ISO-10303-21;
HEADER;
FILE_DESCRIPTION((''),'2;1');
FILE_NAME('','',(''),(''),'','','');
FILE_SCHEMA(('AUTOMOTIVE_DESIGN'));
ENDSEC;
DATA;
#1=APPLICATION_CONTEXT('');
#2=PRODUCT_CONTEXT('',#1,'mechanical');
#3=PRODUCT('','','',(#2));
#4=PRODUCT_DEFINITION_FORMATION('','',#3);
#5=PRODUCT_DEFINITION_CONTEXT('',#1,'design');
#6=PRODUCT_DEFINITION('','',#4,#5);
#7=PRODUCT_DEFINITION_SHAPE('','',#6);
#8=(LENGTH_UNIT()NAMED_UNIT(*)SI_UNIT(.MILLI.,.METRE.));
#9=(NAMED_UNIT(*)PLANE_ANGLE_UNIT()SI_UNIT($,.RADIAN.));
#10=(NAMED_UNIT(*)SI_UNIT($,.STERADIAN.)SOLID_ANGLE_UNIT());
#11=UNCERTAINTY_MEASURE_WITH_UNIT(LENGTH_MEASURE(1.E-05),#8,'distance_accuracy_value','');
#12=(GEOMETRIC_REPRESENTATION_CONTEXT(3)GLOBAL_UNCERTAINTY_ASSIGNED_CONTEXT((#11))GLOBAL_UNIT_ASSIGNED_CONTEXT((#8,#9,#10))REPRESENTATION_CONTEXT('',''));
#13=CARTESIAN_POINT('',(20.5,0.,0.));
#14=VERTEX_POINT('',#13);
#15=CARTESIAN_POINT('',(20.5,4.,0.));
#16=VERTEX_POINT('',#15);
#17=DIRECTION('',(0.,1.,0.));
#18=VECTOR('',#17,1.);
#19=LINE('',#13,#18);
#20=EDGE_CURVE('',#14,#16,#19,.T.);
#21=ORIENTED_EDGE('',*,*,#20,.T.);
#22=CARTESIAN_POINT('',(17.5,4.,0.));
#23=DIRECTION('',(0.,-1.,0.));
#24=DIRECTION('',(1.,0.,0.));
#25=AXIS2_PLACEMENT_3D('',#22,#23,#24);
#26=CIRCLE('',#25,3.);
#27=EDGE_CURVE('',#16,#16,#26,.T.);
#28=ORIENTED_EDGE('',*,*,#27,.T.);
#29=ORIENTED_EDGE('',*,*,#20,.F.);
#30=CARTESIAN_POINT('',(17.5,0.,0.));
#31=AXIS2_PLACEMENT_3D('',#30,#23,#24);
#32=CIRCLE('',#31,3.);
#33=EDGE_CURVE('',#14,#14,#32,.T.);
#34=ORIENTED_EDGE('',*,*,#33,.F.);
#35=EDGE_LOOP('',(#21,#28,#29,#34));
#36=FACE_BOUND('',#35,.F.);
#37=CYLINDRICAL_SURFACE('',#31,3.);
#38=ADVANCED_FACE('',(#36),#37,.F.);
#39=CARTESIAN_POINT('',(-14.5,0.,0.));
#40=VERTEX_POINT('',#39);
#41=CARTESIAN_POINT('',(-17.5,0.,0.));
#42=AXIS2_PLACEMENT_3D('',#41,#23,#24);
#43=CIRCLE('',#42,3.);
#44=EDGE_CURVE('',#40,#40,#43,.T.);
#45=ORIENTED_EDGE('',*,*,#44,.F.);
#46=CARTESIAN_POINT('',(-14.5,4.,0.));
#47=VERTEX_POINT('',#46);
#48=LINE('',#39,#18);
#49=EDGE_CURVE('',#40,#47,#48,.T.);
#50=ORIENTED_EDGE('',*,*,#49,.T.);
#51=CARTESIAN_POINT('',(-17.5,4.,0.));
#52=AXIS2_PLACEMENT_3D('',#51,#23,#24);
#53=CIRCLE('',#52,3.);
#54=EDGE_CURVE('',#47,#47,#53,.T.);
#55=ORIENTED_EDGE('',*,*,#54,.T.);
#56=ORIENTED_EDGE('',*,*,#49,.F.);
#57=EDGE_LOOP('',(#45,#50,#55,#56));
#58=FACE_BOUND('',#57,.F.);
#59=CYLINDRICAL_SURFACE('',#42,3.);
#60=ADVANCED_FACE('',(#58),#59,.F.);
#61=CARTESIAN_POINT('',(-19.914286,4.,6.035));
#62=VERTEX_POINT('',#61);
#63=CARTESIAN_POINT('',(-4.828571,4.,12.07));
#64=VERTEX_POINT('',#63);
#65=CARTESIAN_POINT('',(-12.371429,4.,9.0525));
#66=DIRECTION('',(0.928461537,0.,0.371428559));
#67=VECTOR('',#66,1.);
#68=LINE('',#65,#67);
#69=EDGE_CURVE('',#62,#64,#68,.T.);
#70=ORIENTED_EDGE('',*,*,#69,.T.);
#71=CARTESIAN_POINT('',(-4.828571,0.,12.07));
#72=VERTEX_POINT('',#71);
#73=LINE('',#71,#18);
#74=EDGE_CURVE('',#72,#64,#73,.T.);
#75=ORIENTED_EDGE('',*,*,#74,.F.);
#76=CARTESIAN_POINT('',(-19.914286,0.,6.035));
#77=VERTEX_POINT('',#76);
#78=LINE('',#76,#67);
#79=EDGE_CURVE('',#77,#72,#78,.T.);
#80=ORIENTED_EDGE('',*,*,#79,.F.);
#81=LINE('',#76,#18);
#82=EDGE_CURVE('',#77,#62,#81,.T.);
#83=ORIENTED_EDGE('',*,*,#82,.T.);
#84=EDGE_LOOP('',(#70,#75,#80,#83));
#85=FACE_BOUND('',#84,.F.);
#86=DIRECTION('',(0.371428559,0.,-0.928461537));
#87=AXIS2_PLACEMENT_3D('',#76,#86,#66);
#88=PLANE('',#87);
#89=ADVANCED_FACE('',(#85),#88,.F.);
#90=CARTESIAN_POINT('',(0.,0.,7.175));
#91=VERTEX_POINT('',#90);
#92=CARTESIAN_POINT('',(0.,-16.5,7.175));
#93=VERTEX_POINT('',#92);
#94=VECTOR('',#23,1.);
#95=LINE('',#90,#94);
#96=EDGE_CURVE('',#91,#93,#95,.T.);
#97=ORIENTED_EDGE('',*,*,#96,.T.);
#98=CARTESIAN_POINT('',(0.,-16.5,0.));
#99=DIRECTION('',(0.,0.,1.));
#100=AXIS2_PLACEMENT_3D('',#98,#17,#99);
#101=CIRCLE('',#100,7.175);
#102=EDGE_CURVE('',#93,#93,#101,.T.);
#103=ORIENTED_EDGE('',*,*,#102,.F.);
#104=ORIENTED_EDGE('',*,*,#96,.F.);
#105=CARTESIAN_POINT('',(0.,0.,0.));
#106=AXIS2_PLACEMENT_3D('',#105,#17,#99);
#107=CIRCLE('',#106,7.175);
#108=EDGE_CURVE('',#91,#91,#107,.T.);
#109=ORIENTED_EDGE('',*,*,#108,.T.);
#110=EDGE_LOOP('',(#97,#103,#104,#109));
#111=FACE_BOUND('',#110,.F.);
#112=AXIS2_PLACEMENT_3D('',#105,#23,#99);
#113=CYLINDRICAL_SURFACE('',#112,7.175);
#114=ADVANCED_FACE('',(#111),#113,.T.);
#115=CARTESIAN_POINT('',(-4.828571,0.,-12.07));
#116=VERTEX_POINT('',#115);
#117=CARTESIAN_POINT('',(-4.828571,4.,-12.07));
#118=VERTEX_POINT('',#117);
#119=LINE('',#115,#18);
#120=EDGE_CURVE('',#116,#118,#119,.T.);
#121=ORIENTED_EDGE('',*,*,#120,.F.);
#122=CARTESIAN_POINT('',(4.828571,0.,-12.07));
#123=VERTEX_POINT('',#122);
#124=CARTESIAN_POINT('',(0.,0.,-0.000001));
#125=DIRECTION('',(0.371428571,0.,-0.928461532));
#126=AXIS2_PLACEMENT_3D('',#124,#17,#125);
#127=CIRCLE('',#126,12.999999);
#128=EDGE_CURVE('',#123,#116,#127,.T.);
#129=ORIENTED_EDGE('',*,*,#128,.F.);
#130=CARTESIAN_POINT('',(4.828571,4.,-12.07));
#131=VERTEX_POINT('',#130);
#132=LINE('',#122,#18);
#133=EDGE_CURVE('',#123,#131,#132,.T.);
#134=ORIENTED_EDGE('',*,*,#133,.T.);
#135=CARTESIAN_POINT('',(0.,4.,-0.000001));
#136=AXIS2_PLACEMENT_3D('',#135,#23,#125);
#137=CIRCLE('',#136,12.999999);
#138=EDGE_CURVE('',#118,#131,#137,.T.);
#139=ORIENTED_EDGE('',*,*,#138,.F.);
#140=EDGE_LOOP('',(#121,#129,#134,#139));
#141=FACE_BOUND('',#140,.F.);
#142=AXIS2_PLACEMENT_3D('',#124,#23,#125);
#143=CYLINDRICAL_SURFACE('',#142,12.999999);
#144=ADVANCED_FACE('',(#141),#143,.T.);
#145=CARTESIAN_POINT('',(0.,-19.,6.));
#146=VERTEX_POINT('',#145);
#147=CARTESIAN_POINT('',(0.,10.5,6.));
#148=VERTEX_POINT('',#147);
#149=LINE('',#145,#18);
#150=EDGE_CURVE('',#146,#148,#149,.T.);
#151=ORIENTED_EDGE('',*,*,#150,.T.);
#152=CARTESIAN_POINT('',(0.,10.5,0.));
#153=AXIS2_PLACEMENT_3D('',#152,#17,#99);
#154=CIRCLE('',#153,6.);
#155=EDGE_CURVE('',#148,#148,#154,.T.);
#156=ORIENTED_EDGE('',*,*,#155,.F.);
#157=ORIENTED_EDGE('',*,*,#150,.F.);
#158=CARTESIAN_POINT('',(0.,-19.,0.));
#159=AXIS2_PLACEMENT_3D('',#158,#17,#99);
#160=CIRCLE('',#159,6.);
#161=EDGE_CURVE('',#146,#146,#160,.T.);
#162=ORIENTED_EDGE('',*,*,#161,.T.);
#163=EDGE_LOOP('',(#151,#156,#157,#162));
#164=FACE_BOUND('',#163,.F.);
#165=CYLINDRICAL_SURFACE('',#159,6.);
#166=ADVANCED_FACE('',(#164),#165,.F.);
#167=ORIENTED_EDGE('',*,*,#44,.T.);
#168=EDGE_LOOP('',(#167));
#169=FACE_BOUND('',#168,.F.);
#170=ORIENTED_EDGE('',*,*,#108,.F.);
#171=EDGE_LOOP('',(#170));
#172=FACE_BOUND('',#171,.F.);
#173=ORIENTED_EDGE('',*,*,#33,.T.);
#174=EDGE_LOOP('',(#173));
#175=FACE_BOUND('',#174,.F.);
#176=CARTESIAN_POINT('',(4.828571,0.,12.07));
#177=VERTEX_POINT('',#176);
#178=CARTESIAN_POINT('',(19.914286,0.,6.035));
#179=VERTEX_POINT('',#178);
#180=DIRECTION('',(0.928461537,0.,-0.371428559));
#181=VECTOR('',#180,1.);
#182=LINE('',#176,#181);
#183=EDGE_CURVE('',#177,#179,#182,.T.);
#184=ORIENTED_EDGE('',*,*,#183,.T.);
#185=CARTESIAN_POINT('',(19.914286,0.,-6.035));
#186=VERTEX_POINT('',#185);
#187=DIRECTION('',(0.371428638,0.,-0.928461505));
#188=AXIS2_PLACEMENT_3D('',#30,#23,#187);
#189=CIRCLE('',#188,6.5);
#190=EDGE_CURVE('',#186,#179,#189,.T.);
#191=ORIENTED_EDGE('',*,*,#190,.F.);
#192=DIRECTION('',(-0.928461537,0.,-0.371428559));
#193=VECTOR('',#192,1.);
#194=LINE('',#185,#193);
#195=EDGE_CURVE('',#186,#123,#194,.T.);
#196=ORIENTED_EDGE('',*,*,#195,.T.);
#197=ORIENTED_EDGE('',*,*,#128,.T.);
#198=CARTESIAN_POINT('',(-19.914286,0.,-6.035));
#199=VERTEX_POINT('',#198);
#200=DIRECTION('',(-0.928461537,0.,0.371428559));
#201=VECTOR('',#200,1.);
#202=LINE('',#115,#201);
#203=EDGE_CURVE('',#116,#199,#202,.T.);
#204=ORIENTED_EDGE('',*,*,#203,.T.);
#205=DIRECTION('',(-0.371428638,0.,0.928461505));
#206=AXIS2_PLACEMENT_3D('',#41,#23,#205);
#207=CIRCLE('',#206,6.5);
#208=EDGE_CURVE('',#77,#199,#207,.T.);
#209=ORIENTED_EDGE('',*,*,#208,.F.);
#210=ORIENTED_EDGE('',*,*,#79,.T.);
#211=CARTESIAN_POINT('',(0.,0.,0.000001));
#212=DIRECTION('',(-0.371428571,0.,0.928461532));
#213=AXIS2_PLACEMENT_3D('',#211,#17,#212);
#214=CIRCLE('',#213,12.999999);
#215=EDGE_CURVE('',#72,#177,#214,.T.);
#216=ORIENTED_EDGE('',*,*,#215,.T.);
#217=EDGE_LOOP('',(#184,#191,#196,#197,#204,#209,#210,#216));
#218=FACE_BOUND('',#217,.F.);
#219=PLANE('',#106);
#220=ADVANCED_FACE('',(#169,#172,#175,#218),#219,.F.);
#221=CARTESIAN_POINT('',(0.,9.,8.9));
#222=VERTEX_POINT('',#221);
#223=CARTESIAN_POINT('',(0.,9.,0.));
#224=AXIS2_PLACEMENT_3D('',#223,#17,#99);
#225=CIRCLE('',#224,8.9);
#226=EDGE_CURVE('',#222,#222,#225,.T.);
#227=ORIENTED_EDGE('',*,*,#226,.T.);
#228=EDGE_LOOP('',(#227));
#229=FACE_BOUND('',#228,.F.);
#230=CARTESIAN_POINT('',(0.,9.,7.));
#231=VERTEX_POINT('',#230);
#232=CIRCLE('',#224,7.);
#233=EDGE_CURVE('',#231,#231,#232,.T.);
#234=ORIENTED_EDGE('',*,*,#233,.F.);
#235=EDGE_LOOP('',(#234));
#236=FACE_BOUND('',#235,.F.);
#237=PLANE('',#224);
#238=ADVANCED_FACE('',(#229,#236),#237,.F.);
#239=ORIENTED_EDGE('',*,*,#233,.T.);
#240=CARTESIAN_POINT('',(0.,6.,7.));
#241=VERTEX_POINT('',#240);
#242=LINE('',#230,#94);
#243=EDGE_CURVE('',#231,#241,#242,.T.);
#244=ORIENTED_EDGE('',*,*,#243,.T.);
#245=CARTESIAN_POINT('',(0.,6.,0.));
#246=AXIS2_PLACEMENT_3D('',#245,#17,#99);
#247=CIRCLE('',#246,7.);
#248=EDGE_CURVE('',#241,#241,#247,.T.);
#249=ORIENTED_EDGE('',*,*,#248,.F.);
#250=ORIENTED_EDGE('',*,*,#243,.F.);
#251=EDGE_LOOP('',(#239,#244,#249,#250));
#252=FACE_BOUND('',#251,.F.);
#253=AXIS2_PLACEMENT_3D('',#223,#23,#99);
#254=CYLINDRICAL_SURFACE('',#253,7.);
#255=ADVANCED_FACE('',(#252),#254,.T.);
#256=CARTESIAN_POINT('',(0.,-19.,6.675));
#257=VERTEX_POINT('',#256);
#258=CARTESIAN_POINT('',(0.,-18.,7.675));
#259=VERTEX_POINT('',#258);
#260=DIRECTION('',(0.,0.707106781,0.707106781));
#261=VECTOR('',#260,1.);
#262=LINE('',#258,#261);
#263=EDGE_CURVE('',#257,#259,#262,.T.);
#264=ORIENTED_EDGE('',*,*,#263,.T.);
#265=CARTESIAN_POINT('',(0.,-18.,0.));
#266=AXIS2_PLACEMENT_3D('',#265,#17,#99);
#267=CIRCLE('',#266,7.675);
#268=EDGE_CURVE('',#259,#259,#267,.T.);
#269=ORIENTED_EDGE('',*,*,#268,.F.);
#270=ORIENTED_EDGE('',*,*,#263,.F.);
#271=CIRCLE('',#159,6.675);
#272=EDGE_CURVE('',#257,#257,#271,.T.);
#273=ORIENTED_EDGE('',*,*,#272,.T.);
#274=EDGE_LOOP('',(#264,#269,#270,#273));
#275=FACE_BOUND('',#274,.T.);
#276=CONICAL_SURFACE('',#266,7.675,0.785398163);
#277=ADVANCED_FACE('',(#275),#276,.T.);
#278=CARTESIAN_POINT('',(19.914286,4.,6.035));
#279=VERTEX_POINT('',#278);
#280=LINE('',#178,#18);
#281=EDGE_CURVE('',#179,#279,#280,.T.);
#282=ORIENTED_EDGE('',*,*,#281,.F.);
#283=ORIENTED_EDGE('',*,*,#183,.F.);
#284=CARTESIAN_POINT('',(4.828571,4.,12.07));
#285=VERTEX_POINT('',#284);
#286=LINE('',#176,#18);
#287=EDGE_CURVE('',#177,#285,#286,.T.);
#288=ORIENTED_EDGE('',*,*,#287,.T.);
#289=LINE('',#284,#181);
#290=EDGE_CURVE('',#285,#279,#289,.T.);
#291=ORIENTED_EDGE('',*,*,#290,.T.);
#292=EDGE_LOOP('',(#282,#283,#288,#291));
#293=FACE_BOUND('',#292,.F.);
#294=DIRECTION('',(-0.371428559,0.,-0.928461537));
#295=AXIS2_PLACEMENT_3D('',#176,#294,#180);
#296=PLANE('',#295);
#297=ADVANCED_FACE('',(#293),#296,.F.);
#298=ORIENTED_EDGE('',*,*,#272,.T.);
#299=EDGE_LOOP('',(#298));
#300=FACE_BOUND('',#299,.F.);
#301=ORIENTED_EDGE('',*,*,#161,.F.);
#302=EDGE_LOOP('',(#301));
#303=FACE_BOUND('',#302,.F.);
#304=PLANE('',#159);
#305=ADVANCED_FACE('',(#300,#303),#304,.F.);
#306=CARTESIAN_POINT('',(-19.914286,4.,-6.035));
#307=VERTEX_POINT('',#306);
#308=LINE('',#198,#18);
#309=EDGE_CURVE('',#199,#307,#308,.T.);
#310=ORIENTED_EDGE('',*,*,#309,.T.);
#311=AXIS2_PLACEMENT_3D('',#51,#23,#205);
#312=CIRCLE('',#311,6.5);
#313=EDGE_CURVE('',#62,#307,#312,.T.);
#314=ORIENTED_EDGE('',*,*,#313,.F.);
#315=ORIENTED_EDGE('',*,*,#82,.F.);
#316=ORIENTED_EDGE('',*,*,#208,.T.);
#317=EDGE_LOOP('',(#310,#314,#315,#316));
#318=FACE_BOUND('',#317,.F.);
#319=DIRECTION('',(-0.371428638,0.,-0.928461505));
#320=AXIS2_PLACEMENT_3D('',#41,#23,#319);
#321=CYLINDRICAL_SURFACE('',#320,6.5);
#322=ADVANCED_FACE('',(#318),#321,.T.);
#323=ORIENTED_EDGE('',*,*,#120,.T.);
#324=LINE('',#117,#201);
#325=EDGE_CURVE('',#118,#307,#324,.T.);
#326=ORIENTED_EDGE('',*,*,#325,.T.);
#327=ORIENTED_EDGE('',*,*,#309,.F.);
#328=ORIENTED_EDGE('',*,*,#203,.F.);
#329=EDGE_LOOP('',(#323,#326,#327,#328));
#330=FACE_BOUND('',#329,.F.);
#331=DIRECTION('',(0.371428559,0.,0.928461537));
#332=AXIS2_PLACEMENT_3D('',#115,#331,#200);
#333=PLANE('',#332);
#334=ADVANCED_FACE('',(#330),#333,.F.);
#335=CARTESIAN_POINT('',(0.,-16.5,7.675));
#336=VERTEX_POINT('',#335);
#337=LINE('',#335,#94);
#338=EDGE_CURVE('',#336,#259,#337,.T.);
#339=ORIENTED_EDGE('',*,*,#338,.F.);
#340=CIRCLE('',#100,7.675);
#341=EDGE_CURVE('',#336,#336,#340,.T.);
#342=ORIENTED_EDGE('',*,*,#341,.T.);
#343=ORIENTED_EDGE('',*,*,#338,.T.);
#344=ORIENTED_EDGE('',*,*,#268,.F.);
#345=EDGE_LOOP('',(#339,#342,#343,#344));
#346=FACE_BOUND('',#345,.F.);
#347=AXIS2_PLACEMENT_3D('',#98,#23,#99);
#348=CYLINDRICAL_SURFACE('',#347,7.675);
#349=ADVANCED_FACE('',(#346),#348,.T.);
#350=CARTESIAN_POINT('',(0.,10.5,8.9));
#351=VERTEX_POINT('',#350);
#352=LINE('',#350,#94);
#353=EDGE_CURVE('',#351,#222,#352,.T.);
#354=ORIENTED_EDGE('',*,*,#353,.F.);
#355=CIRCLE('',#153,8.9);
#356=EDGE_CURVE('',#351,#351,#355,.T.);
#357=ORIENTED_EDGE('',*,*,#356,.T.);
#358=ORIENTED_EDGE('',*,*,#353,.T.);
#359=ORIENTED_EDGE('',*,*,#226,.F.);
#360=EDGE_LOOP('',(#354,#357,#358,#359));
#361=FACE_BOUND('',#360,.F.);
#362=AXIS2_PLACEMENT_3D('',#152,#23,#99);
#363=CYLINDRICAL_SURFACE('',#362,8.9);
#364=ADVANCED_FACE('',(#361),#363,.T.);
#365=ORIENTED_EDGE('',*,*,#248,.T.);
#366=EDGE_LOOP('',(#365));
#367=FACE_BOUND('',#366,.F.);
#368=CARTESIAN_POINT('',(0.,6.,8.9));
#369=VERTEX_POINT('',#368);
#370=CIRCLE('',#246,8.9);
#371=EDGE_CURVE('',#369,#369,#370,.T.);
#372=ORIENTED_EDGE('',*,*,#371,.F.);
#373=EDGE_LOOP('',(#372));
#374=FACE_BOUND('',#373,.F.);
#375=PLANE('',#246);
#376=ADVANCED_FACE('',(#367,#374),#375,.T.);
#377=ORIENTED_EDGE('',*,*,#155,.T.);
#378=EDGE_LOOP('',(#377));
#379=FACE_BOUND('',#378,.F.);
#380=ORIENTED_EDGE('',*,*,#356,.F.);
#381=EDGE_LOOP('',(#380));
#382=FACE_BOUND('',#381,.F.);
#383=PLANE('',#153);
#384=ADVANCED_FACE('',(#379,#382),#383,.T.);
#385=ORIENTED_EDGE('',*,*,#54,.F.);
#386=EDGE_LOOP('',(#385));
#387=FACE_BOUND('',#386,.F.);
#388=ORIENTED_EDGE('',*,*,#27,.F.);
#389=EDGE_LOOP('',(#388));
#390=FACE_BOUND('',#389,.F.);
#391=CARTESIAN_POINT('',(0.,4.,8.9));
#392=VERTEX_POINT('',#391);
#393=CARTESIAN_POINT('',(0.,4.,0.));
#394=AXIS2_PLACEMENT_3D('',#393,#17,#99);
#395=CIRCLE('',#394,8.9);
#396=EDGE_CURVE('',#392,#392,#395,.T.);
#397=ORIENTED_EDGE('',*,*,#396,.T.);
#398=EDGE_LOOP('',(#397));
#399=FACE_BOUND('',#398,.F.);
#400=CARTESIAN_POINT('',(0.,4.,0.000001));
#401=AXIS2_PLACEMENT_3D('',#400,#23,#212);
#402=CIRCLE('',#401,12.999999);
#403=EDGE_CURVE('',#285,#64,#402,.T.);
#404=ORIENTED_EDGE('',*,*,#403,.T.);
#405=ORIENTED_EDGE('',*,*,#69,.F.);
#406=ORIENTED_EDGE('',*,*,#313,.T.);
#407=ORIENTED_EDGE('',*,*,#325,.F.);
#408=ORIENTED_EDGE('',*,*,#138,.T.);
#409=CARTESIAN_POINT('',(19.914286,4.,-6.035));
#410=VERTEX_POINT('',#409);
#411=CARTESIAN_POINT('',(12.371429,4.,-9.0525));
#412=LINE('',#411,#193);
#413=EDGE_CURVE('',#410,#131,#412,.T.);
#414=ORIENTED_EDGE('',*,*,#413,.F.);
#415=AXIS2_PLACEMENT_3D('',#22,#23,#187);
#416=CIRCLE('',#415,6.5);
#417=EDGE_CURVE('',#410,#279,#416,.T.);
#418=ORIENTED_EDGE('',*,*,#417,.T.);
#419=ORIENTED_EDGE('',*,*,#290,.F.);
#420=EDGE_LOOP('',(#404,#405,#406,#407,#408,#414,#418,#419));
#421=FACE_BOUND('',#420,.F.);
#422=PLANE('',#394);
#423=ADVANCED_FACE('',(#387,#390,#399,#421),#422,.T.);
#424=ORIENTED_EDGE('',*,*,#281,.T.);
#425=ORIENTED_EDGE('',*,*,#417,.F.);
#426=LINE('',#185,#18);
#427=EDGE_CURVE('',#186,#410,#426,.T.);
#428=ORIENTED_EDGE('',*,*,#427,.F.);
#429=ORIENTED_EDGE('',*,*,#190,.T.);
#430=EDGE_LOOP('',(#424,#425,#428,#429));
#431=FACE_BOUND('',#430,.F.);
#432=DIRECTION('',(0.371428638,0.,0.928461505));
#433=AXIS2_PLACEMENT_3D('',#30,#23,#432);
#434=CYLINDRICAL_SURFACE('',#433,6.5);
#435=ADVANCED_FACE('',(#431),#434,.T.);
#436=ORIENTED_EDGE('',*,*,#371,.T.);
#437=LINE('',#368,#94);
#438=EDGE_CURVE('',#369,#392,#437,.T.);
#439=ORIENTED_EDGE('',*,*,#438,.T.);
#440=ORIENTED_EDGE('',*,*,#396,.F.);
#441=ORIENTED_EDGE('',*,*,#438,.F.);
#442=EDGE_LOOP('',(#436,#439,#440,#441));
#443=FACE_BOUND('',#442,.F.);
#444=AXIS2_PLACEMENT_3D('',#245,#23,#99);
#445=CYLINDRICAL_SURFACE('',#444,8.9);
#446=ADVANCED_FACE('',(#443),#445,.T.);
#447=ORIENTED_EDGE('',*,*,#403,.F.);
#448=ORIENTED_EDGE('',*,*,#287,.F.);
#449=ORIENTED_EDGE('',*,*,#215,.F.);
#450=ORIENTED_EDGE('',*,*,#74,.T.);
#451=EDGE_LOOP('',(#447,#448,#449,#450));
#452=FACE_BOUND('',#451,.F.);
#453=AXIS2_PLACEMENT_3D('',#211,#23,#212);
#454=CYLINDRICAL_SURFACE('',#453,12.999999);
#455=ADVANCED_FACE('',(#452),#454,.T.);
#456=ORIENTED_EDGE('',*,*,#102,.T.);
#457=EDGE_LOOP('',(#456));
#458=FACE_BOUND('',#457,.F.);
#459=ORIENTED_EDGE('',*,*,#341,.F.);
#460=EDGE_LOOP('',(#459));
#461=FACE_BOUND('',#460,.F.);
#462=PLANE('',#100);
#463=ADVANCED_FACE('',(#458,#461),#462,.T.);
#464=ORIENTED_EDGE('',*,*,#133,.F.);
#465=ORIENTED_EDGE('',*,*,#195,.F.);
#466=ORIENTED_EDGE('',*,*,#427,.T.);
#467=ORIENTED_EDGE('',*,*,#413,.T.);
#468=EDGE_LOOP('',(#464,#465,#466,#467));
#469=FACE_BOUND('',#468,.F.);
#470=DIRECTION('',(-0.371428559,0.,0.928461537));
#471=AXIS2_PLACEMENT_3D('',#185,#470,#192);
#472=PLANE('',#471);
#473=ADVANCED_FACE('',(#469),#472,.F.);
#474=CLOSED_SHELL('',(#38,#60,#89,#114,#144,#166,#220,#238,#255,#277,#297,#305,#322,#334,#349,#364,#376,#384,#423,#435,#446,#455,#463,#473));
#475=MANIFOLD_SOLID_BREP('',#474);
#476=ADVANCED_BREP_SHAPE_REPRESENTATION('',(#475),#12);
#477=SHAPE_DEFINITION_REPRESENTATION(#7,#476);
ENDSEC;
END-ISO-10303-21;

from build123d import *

# Parameters (mm, degrees)
F2_SIZE  = 1
F3_R     = 30
F4_DEPTH = 25
F3_R_2   = 3
F5_DEPTH = 25


with BuildPart() as f1:
    # F0 (on Right) → F1 (revolve)
    with BuildSketch(Plane.YZ):
        Polygon((-19, 7.675), (-19, 6), (10.5, 6), (10.5, 8.9), (9, 8.9), (9, 7), (6, 7), (6, 8.9), (4, 8.9), (4, 24), (0, 24), (0, 7.175), (-16.5, 7.175), (-16.5, 7.675), align=None)
    revolve(axis=Axis((0, -3.653569, 0), (0, 1, 0)))

    # F2
    f2_edges = [f1.edges().sort_by_distance(p)[0] for p in [
        (0, -19, -7.675),
    ]]
    chamfer(f2_edges, length=F2_SIZE)

    # F3 (on face) → F4 (cut)
    with BuildSketch(Plane.XZ):
        Circle(F3_R)
        with BuildLine():
            ThreePointArc((-19.914286, -6.035), (-24, 0), (-19.914286, 6.035))
            Line((-19.914286, 6.035), (-4.828571, 12.07))
            ThreePointArc((-4.828571, 12.07), (0, 13), (4.828571, 12.07))
            Line((4.828571, 12.07), (19.914286, 6.035))
            ThreePointArc((19.914286, 6.035), (24, 0), (19.914286, -6.035))
            Line((19.914286, -6.035), (4.828571, -12.07))
            ThreePointArc((4.828571, -12.07), (0, -13), (-4.828571, -12.07))
            Line((-4.828571, -12.07), (-19.914286, -6.035))
        make_face(mode=Mode.SUBTRACT)
    extrude(amount=-F4_DEPTH, mode=Mode.SUBTRACT)

    # F3 (on face) → F5 (cut)
    with BuildSketch(Plane.XZ):
        with Locations((17.5, 0)):
            Circle(F3_R_2)
        with Locations((-17.5, 0)):
            Circle(F3_R_2)
    extrude(amount=-F5_DEPTH, mode=Mode.SUBTRACT)


solid = f1.part
